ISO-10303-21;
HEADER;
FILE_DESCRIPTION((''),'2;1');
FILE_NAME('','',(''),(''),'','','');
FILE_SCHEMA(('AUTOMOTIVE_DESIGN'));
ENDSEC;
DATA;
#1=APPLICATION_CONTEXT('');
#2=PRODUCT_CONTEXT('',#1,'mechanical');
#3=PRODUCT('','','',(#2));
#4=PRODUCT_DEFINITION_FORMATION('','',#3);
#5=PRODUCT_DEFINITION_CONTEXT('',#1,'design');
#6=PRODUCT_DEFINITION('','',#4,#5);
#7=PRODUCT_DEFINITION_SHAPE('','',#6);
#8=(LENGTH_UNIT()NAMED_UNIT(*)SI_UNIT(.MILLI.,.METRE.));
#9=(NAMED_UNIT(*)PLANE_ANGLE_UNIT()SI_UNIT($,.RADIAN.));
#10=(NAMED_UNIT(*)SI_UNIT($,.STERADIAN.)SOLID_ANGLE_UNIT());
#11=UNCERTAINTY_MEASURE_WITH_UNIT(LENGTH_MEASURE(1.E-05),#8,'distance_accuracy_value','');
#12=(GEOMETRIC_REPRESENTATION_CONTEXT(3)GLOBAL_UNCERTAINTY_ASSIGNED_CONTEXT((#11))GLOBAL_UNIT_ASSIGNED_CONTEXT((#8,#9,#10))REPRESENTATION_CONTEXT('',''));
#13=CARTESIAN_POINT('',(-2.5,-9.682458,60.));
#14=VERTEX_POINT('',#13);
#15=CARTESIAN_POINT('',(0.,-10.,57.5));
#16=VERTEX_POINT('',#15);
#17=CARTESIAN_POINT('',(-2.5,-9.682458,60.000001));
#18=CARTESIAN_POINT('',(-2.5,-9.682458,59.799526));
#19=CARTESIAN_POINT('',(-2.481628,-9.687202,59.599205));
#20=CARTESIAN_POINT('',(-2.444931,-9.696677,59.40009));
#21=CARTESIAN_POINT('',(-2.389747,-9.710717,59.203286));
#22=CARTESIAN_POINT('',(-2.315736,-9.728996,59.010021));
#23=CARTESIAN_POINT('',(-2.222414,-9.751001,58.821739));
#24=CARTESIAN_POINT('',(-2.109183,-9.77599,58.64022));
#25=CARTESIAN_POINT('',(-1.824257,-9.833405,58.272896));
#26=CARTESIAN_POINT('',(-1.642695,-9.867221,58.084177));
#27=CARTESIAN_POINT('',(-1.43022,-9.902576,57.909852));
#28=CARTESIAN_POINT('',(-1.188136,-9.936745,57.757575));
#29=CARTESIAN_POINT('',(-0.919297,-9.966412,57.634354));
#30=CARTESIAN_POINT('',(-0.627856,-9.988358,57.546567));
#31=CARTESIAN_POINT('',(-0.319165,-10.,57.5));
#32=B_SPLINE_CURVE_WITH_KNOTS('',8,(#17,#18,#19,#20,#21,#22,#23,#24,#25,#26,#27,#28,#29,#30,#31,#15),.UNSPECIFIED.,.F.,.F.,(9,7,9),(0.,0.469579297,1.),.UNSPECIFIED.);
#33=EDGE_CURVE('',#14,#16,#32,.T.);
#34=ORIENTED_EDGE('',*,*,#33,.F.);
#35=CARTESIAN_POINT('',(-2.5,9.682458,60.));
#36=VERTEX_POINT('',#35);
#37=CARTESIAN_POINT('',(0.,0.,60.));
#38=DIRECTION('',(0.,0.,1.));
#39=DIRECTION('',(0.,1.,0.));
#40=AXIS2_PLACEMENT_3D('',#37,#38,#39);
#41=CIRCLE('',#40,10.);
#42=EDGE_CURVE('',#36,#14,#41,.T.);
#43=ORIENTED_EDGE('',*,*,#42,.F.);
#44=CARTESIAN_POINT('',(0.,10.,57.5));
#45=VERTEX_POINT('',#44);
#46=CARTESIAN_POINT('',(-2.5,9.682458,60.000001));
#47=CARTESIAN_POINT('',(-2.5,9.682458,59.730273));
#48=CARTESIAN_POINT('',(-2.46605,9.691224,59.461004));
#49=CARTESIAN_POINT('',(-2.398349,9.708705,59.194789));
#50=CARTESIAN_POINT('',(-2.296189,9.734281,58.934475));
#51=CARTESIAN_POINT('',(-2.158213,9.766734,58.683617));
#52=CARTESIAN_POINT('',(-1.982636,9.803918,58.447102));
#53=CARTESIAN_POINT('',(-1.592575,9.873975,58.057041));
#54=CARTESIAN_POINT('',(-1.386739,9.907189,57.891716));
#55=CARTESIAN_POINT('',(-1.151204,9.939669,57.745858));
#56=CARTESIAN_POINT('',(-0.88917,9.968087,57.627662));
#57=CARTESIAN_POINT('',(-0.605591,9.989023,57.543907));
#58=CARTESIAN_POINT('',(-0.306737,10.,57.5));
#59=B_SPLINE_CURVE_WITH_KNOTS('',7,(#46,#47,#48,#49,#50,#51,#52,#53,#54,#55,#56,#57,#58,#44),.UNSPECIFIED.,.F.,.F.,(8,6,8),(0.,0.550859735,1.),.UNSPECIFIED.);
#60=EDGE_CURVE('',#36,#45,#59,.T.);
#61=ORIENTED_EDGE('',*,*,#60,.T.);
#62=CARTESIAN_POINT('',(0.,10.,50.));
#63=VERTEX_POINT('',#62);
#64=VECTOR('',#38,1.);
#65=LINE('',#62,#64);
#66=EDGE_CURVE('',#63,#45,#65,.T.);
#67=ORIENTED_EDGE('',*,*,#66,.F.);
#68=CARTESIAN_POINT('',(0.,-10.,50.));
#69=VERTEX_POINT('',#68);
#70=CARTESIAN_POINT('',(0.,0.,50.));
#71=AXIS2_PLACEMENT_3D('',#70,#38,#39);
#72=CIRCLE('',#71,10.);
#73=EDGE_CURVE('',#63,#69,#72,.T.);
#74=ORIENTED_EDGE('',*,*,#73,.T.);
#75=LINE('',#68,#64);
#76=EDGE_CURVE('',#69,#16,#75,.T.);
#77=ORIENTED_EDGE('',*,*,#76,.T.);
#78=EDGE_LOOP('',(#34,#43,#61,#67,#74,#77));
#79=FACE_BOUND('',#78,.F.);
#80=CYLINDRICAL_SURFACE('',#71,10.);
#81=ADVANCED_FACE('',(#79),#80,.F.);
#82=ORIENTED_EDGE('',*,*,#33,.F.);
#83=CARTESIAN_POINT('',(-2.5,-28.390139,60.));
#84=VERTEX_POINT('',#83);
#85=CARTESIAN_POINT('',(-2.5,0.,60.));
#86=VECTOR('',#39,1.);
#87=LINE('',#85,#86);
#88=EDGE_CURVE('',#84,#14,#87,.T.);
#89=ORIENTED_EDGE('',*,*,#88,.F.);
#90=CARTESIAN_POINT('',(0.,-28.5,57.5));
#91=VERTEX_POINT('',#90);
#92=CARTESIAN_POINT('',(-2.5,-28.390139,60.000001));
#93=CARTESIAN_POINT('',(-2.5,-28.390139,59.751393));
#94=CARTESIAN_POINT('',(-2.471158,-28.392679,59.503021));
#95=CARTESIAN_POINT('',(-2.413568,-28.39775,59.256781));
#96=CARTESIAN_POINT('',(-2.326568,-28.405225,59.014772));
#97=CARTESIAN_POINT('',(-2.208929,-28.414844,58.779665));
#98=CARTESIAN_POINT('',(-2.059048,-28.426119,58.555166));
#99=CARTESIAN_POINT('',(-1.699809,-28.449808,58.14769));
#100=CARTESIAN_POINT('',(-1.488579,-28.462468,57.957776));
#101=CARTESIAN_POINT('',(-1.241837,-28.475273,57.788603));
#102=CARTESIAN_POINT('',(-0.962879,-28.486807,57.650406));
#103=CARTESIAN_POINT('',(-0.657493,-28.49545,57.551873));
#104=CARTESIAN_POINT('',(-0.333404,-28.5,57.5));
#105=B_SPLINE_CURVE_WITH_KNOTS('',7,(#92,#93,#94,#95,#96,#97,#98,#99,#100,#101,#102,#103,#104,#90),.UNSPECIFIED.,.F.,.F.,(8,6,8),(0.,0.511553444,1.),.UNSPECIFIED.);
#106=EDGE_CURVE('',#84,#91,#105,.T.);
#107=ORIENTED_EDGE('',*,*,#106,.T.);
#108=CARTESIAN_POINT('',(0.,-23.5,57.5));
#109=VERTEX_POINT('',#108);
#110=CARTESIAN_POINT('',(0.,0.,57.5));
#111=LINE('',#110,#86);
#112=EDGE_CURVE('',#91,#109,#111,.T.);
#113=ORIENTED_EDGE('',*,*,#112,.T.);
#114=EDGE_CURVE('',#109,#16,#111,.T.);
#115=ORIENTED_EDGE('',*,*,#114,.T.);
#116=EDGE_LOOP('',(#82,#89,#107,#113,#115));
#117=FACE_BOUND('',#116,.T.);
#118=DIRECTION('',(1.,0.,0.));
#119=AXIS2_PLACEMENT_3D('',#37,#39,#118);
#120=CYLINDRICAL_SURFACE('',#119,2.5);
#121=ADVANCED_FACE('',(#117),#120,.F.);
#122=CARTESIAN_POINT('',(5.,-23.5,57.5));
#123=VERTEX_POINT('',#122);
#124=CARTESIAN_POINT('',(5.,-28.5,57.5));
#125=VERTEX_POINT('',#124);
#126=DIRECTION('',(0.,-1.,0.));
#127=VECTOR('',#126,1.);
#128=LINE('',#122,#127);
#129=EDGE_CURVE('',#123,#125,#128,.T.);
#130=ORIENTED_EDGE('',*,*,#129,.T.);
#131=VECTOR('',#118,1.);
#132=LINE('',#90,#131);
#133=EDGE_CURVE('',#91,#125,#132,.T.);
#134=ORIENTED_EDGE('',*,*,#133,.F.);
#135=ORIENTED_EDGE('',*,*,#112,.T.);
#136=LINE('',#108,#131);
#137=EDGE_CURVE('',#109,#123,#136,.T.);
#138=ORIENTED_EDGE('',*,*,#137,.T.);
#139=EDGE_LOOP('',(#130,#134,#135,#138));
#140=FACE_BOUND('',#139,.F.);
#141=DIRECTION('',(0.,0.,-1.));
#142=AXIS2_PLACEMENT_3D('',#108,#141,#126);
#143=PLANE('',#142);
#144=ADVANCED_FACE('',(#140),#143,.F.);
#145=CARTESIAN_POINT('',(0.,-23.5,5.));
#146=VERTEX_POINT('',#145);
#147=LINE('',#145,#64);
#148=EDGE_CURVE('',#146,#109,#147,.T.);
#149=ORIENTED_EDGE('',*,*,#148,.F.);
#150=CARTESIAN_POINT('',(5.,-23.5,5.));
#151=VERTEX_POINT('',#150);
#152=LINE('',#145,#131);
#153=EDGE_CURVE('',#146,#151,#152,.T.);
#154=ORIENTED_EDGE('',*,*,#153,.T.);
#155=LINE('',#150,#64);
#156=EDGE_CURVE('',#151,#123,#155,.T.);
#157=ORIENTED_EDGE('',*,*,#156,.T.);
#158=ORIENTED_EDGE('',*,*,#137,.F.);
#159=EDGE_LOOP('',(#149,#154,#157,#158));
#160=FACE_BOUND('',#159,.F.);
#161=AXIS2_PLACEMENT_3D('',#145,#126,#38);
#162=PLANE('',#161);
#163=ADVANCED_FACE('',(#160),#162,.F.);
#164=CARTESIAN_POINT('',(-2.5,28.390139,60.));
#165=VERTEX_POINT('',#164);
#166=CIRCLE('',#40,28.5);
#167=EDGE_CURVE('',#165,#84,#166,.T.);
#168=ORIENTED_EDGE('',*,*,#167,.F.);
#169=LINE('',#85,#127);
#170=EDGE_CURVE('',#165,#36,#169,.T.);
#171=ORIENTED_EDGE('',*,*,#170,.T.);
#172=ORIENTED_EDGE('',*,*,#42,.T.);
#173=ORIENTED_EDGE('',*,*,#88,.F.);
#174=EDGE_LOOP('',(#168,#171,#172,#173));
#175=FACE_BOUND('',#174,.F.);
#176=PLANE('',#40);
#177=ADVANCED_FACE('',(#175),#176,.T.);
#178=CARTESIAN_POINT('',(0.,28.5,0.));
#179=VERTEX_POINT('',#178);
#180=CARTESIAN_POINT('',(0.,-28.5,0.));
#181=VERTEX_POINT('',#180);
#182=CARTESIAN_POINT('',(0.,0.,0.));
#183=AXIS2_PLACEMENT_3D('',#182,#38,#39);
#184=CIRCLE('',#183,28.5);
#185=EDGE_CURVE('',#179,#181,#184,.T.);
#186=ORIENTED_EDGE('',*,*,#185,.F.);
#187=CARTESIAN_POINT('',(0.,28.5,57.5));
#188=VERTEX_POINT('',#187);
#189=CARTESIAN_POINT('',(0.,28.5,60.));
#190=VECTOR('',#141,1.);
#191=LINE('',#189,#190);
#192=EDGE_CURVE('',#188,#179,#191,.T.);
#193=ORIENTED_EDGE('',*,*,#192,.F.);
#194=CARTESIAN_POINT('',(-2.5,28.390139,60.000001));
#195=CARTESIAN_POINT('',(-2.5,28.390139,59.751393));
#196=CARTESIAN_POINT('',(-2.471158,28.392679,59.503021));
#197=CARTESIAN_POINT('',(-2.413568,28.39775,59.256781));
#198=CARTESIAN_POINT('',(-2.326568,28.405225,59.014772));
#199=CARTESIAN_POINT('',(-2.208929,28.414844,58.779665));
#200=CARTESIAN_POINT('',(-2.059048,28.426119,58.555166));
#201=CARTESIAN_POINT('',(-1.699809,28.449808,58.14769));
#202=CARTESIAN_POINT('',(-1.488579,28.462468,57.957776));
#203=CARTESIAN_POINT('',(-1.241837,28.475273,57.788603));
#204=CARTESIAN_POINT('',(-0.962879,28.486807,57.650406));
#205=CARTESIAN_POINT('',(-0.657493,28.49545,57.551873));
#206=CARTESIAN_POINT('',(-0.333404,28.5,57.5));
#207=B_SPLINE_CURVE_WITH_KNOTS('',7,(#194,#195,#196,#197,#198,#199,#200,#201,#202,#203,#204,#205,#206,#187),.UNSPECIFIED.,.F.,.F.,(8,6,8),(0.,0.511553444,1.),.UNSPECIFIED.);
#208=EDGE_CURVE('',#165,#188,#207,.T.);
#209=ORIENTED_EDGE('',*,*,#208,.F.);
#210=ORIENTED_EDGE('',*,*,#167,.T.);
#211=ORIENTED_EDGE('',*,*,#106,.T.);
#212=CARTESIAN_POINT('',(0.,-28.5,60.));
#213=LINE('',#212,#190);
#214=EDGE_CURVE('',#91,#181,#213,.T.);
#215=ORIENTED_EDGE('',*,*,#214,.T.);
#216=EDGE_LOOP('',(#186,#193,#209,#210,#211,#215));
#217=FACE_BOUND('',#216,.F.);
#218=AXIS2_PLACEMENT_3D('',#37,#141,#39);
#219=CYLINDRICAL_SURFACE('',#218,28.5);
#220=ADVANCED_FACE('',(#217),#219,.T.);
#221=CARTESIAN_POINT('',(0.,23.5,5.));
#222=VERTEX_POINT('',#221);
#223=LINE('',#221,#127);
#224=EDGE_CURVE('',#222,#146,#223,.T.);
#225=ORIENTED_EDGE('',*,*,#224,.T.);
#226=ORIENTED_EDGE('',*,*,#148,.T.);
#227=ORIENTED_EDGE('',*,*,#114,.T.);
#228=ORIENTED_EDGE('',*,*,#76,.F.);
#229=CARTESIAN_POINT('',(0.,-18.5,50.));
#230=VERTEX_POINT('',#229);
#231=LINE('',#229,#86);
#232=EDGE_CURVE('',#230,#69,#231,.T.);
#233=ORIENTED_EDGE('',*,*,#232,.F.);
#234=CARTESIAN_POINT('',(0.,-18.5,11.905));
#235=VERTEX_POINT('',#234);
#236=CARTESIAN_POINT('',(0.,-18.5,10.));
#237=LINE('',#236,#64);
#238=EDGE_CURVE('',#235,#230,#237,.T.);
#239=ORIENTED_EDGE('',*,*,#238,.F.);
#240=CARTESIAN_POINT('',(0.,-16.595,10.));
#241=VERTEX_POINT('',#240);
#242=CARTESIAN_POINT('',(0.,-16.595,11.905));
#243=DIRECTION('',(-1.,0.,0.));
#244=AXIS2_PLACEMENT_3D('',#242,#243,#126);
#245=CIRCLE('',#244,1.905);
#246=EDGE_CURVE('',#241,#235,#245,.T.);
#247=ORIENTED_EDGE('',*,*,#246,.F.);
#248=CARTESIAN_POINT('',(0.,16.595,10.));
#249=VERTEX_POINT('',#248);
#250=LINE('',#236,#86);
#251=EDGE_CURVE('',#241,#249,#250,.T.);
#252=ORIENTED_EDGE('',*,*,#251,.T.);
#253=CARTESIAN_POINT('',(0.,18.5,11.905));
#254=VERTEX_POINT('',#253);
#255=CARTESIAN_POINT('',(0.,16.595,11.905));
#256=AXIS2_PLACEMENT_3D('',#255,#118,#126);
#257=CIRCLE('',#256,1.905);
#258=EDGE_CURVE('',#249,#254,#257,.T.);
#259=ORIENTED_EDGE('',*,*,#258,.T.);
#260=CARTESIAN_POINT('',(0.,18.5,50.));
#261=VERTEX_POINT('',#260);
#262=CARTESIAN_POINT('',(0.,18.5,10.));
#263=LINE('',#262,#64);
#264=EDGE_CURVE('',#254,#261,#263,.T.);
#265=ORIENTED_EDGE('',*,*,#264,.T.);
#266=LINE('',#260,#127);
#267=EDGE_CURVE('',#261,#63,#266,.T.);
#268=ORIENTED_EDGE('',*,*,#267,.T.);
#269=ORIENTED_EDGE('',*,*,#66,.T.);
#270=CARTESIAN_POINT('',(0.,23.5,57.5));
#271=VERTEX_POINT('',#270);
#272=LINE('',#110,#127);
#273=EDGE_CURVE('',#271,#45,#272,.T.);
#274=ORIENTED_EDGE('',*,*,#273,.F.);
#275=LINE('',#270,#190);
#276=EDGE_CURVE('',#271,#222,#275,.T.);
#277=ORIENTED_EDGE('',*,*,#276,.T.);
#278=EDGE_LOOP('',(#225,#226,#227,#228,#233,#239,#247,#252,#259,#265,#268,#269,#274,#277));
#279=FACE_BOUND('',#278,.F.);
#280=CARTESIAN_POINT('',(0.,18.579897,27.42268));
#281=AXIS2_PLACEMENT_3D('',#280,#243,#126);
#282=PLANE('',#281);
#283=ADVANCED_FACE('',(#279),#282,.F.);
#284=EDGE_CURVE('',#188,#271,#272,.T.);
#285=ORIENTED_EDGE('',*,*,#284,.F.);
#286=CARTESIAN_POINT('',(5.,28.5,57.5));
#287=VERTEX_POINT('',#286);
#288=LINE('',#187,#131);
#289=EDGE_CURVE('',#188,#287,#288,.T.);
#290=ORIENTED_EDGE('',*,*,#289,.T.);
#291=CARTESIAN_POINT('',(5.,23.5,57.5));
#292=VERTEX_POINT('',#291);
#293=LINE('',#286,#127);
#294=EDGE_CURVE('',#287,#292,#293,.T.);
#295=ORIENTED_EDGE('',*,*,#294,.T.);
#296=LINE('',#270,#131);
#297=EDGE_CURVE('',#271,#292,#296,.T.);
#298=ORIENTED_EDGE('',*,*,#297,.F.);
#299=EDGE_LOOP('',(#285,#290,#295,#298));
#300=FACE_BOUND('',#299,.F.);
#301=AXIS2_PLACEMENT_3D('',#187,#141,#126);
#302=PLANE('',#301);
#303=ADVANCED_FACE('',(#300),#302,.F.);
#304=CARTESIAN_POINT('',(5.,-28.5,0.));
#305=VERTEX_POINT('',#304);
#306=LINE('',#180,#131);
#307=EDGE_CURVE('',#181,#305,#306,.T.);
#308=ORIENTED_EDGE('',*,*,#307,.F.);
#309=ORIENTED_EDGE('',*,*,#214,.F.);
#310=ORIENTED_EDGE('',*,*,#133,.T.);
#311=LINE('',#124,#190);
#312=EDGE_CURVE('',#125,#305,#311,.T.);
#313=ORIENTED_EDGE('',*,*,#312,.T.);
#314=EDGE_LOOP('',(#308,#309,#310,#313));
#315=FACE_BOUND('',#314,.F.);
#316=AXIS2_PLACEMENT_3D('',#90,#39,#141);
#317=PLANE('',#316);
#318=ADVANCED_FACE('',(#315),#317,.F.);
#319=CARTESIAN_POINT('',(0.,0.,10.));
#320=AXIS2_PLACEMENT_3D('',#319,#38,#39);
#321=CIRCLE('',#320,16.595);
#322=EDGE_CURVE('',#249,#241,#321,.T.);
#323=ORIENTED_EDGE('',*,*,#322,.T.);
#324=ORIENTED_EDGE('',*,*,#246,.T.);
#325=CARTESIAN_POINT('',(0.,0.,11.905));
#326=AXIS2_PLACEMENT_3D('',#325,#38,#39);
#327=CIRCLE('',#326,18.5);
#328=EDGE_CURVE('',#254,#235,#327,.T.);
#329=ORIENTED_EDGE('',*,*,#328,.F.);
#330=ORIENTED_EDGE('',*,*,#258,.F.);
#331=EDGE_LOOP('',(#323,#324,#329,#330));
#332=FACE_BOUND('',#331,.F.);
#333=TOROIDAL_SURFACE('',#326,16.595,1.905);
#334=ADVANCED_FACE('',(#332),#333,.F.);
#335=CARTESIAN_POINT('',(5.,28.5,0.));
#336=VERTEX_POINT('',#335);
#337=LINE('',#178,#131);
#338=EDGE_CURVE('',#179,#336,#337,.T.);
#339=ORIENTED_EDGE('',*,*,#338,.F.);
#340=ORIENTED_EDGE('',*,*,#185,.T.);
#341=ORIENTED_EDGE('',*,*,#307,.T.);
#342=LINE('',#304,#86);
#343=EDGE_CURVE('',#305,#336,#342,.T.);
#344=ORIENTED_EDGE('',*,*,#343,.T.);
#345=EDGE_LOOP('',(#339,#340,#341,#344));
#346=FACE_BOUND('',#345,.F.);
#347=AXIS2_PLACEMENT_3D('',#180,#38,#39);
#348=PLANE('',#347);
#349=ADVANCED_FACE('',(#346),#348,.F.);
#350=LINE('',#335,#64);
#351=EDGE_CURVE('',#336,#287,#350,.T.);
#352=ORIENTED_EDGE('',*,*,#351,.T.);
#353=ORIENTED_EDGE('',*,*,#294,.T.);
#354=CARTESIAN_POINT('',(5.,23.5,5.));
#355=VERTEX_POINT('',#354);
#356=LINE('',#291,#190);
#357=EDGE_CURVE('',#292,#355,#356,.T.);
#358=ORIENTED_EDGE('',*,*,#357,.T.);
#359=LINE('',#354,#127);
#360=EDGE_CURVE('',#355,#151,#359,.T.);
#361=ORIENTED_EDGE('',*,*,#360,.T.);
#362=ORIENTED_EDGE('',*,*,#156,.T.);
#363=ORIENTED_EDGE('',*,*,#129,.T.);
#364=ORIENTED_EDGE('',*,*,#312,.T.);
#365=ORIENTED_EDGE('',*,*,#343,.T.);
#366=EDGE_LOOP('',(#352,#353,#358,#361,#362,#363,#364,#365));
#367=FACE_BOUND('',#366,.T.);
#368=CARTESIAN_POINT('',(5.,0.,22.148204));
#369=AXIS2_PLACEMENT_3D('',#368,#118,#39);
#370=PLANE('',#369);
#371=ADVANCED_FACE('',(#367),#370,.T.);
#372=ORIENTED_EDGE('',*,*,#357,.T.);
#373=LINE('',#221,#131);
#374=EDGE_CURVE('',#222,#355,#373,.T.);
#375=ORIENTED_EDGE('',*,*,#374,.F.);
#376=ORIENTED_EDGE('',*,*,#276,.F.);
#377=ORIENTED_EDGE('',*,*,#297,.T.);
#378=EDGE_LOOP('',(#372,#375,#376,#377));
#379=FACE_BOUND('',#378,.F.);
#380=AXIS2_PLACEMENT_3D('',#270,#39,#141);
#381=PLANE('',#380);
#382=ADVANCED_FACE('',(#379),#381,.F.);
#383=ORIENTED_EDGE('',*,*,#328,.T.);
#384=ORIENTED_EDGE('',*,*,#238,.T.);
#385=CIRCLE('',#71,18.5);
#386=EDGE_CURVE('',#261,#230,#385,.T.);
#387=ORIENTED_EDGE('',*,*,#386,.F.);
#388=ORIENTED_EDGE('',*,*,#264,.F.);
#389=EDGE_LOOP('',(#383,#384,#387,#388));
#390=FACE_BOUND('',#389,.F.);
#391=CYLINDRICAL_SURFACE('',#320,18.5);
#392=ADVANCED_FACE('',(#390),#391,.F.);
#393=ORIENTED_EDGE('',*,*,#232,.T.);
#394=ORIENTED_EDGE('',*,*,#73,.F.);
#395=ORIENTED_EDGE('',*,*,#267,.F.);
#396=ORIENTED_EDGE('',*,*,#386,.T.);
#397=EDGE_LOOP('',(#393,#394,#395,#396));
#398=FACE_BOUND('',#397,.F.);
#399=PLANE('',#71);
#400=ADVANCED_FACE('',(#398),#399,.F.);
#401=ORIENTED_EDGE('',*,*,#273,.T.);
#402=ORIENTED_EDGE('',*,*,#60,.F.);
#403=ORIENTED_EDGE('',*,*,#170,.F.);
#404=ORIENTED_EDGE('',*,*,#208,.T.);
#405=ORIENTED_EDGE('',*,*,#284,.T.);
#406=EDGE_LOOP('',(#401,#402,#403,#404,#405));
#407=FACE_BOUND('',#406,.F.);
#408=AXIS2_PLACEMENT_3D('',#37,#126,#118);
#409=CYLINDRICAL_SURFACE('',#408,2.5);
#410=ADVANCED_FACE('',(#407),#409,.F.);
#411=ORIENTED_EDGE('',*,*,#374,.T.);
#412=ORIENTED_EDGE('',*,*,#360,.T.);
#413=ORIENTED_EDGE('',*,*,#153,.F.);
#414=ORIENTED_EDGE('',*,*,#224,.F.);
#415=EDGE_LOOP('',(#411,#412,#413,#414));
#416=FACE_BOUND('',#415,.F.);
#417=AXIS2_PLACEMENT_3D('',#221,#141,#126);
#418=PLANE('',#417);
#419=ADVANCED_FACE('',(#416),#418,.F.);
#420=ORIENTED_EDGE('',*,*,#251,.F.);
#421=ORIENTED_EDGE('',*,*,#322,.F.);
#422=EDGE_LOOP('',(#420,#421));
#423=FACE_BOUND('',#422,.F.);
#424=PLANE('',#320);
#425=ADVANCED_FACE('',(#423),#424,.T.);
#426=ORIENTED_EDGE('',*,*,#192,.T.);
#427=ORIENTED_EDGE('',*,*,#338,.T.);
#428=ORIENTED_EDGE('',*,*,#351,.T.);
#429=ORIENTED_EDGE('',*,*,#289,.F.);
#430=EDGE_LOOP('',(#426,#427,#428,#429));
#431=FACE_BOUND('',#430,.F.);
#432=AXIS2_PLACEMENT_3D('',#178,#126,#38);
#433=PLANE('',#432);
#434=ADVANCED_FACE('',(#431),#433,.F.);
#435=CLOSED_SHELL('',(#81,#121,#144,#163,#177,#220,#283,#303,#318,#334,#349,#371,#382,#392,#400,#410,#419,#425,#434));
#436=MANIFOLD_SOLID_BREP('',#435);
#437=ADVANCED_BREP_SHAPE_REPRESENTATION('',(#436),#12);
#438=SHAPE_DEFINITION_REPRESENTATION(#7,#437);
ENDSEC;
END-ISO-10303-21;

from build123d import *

# Parameters (mm, degrees)
F1_ANGLE_BACK = 90
F1_ANGLE      = 180
F2_R          = 2.5
F3_DEPTH      = 28.501
F3_DEPTH_BACK = 28.501
F4_R          = 1.905
F6_DEPTH      = 5


with BuildPart() as f1:
    # F0 (on Front) → F1 (revolve)
    with BuildSketch(Plane.XZ, mode=Mode.PRIVATE) as f1_sk:
        Polygon((-18.5, 0), (0, 0), (0, 10), (-18.5, 10), (-18.5, 50), (-10, 50), (-10, 60), (-18.5, 60), (-28.5, 60), (-28.5, 0), align=None)
    revolve(f1_sk.sketch.rotate(Axis((0, 0, 5), (0, 0, 1)), -F1_ANGLE_BACK), axis=Axis((0, 0, 5), (0, 0, 1)), revolution_arc=F1_ANGLE)

    # F2 (on Front) → F3 (cut, two sides)
    with BuildSketch(Plane.XZ) as f3_sk:
        with Locations((0, 60)):
            Circle(F2_R)
    extrude(amount=-F3_DEPTH, mode=Mode.SUBTRACT)
    extrude(f3_sk.sketch, amount=F3_DEPTH_BACK, mode=Mode.SUBTRACT)

    # F4
    f4_edges = [f1.edges().sort_by_distance(p)[0] for p in [
        (-18.5, 0, 10),
    ]]
    fillet(f4_edges, radius=F4_R)

    # F5 (on face) → F6 (join)
    with BuildSketch(Plane.YZ):
        Polygon((-23.5, 57.5), (-28.5, 57.5), (-28.5, 0), (28.5, 0), (28.5, 57.5), (23.5, 57.5), (23.5, 54.5), (23.5, 5), (-23.5, 5), (-23.5, 54.5), align=None)
    extrude(amount=F6_DEPTH)


solid = f1.part
